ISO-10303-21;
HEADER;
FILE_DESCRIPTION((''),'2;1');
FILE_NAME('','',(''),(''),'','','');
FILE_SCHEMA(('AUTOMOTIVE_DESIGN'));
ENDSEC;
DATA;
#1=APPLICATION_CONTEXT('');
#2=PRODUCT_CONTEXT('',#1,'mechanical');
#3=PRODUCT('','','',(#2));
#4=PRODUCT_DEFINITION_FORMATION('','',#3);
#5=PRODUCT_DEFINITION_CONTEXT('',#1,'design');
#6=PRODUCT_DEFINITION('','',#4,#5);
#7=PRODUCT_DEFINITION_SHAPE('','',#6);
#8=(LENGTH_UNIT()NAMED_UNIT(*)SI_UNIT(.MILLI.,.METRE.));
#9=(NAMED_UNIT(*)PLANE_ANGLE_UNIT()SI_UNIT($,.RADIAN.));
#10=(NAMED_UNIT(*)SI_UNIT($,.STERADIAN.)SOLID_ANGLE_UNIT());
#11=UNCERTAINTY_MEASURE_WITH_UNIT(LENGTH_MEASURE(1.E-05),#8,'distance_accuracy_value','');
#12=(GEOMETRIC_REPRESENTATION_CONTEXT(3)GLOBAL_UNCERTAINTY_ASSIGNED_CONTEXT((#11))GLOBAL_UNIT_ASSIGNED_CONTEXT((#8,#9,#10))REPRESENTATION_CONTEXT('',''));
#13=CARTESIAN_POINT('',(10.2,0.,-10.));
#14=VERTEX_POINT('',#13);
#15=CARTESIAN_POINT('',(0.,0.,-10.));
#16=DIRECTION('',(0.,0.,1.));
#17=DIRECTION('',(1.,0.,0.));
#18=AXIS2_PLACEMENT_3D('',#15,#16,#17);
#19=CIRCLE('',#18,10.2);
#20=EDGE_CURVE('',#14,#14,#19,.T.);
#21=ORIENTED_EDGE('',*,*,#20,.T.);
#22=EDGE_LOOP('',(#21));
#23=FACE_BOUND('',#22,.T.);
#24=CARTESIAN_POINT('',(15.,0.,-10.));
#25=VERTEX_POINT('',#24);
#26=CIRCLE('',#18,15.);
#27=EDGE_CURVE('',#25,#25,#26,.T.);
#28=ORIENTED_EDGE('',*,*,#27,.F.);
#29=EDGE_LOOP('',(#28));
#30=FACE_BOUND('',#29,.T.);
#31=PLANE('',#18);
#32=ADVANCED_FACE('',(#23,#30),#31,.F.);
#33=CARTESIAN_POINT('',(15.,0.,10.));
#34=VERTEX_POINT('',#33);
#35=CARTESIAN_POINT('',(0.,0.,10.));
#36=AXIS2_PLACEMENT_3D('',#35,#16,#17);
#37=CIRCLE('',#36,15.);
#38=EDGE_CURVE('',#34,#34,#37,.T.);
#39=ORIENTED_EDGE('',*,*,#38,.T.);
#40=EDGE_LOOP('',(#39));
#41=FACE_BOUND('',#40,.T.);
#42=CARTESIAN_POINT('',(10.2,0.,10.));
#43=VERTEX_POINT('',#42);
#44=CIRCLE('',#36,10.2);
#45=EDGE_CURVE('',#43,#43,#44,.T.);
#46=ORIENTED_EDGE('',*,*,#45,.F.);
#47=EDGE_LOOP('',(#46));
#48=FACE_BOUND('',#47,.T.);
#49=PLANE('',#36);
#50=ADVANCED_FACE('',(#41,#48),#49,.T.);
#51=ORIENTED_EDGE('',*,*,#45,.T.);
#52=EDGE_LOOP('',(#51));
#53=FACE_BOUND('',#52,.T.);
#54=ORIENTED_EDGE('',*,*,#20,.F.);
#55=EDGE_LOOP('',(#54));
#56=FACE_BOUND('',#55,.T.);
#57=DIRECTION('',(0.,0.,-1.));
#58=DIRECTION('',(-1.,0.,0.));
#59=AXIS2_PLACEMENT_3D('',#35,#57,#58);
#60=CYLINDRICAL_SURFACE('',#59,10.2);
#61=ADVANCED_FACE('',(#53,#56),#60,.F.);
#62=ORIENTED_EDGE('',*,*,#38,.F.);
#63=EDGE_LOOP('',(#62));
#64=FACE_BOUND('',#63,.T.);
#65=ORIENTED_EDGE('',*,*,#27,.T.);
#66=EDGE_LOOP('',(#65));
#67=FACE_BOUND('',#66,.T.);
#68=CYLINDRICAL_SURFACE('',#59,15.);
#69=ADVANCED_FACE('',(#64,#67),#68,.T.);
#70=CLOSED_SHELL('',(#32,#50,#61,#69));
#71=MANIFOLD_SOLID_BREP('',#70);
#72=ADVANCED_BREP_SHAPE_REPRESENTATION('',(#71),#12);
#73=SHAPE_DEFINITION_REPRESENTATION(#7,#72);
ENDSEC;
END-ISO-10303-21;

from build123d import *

# Parameters (mm, degrees)
BUSH_PROFILE_R     = 15
BUSH_PROFILE_R_2   = 10.2
BUSH_EXTRUDE_DEPTH = 10


with BuildPart() as part:
    # Bush_Profile → Bush_Extrude (new, symmetric)
    with BuildSketch(Plane.XY):
        Circle(BUSH_PROFILE_R)
        Circle(BUSH_PROFILE_R_2, mode=Mode.SUBTRACT)
    extrude(amount=BUSH_EXTRUDE_DEPTH, both=True)


solid = part.part
